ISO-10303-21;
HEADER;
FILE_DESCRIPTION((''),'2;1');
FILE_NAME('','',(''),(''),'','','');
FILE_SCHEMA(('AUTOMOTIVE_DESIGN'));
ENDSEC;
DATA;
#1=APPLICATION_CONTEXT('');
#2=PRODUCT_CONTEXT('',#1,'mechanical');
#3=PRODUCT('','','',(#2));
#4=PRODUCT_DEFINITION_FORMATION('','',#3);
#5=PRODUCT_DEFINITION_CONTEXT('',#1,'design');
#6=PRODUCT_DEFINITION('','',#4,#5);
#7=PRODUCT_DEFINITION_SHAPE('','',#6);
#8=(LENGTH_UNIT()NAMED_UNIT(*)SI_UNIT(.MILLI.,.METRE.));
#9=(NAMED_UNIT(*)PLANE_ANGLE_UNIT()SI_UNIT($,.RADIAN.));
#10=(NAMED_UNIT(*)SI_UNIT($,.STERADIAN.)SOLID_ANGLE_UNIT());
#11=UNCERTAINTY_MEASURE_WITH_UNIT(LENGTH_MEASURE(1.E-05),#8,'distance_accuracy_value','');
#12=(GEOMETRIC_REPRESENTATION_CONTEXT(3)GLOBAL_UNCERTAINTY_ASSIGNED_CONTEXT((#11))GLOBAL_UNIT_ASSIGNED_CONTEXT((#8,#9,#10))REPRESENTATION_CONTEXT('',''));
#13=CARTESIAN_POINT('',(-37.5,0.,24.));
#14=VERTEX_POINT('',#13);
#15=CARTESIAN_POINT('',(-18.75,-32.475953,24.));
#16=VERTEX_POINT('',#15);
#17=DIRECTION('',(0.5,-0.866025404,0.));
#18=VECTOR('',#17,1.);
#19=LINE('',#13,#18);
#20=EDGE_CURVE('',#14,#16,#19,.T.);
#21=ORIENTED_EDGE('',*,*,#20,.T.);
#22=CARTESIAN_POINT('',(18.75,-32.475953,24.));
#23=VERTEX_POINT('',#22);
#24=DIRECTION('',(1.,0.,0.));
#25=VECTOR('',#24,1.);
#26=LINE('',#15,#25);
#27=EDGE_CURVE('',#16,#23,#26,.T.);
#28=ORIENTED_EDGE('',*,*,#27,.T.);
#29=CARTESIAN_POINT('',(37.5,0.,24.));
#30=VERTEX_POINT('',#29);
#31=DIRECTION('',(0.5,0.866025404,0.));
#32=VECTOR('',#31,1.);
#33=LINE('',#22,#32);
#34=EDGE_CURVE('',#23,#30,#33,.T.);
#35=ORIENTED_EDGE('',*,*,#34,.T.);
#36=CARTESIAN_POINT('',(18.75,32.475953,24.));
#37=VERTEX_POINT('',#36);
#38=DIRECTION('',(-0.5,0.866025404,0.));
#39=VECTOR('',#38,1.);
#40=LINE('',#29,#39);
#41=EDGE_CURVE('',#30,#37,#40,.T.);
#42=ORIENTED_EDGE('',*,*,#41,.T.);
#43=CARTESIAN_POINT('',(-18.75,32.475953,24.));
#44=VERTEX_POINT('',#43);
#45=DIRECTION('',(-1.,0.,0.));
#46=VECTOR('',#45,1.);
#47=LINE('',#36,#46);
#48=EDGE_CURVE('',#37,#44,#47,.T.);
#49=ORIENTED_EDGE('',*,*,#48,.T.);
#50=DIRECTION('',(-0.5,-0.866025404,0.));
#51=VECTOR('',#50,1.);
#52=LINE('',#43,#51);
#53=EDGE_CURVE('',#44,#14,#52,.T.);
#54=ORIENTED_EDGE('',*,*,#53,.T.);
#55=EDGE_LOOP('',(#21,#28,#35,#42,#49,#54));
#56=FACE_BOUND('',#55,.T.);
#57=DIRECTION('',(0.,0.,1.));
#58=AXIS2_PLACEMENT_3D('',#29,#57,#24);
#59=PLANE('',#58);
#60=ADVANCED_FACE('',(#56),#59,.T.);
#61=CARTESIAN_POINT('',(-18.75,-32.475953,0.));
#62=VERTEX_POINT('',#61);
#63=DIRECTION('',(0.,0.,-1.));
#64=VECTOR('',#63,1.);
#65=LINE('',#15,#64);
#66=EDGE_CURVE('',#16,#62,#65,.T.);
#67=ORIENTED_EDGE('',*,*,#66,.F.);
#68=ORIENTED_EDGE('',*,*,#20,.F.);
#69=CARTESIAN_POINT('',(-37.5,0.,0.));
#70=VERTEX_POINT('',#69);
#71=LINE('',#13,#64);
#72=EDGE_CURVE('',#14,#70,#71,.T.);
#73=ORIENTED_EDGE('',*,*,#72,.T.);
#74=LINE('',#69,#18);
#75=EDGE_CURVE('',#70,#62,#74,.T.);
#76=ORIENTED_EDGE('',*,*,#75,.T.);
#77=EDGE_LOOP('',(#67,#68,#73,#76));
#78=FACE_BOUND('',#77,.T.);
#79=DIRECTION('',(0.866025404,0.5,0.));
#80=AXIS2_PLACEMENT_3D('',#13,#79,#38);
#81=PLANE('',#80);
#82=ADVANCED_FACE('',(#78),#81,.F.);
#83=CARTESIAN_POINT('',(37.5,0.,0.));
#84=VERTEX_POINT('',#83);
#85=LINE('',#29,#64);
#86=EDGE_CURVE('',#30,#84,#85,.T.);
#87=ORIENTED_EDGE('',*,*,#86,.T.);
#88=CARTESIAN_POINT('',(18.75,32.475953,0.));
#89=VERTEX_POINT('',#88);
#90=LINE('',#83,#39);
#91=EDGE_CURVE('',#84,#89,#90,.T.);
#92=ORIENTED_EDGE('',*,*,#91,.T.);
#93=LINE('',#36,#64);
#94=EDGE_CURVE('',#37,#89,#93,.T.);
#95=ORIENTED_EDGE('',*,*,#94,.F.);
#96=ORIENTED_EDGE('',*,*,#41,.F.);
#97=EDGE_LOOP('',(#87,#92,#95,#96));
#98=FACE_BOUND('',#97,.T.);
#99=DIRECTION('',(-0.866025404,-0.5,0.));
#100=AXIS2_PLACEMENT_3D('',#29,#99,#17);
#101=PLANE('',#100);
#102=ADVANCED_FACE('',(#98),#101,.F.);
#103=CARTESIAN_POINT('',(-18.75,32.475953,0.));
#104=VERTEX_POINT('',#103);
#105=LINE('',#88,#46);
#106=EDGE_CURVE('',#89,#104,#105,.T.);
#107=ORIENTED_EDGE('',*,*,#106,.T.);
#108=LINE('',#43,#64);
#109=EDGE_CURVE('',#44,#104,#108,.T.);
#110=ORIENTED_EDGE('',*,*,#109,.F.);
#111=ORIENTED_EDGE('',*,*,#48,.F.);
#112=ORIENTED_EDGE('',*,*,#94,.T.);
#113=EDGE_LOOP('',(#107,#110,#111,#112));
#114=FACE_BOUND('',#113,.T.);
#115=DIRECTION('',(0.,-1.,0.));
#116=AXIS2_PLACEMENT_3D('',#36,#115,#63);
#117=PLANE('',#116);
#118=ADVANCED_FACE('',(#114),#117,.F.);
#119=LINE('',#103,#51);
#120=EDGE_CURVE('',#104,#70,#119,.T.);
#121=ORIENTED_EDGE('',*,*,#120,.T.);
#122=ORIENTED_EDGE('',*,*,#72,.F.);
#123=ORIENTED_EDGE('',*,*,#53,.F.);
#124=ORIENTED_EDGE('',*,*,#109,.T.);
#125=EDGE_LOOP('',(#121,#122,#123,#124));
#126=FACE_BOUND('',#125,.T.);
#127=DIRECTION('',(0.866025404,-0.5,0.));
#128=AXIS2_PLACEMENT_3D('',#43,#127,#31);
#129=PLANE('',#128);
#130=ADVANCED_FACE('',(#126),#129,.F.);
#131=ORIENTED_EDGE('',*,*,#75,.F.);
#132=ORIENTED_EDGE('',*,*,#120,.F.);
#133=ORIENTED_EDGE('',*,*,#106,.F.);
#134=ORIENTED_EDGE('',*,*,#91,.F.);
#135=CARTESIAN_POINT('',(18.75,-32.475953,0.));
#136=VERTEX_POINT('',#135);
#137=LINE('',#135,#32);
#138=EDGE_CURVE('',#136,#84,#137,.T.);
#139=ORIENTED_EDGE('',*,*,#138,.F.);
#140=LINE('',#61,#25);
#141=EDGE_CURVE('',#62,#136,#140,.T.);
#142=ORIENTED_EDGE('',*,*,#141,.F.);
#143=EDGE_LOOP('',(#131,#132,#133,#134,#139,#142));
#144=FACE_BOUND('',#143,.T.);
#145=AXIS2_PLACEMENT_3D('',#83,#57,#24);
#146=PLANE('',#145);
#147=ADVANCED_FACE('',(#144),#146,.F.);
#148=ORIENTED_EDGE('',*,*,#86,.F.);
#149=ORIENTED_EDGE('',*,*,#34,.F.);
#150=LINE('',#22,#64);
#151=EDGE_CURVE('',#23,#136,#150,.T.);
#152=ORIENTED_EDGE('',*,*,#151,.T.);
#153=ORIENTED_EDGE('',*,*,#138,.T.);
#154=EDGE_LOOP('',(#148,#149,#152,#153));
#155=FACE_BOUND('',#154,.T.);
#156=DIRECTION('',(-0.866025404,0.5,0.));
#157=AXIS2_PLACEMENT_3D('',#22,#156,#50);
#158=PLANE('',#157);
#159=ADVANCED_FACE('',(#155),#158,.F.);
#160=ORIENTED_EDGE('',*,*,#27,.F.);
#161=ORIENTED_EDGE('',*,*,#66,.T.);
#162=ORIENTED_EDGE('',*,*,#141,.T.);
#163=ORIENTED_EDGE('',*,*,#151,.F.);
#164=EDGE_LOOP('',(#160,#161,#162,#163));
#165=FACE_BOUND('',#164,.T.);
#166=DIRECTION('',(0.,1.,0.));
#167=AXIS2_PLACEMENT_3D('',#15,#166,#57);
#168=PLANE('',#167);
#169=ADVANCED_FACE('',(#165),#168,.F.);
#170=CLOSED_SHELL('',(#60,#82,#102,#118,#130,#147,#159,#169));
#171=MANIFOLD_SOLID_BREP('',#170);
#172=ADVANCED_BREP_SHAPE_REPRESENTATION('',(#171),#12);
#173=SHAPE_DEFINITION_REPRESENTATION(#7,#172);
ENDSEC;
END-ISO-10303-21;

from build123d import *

# Parameters (mm, degrees)
BOSS_EXTRU_1_DEPTH = 24


with BuildPart() as part:
    # Esquisse2 → Boss.-Extru.1 (new body)
    with BuildSketch(Plane.XY):
        Polygon((37.5, 0), (18.75, 32.475952642), (-18.75, 32.475952642), (-37.5, 0), (-18.75, -32.475952642), (18.75, -32.475952642), align=None)
    extrude(amount=BOSS_EXTRU_1_DEPTH)


solid = part.part
